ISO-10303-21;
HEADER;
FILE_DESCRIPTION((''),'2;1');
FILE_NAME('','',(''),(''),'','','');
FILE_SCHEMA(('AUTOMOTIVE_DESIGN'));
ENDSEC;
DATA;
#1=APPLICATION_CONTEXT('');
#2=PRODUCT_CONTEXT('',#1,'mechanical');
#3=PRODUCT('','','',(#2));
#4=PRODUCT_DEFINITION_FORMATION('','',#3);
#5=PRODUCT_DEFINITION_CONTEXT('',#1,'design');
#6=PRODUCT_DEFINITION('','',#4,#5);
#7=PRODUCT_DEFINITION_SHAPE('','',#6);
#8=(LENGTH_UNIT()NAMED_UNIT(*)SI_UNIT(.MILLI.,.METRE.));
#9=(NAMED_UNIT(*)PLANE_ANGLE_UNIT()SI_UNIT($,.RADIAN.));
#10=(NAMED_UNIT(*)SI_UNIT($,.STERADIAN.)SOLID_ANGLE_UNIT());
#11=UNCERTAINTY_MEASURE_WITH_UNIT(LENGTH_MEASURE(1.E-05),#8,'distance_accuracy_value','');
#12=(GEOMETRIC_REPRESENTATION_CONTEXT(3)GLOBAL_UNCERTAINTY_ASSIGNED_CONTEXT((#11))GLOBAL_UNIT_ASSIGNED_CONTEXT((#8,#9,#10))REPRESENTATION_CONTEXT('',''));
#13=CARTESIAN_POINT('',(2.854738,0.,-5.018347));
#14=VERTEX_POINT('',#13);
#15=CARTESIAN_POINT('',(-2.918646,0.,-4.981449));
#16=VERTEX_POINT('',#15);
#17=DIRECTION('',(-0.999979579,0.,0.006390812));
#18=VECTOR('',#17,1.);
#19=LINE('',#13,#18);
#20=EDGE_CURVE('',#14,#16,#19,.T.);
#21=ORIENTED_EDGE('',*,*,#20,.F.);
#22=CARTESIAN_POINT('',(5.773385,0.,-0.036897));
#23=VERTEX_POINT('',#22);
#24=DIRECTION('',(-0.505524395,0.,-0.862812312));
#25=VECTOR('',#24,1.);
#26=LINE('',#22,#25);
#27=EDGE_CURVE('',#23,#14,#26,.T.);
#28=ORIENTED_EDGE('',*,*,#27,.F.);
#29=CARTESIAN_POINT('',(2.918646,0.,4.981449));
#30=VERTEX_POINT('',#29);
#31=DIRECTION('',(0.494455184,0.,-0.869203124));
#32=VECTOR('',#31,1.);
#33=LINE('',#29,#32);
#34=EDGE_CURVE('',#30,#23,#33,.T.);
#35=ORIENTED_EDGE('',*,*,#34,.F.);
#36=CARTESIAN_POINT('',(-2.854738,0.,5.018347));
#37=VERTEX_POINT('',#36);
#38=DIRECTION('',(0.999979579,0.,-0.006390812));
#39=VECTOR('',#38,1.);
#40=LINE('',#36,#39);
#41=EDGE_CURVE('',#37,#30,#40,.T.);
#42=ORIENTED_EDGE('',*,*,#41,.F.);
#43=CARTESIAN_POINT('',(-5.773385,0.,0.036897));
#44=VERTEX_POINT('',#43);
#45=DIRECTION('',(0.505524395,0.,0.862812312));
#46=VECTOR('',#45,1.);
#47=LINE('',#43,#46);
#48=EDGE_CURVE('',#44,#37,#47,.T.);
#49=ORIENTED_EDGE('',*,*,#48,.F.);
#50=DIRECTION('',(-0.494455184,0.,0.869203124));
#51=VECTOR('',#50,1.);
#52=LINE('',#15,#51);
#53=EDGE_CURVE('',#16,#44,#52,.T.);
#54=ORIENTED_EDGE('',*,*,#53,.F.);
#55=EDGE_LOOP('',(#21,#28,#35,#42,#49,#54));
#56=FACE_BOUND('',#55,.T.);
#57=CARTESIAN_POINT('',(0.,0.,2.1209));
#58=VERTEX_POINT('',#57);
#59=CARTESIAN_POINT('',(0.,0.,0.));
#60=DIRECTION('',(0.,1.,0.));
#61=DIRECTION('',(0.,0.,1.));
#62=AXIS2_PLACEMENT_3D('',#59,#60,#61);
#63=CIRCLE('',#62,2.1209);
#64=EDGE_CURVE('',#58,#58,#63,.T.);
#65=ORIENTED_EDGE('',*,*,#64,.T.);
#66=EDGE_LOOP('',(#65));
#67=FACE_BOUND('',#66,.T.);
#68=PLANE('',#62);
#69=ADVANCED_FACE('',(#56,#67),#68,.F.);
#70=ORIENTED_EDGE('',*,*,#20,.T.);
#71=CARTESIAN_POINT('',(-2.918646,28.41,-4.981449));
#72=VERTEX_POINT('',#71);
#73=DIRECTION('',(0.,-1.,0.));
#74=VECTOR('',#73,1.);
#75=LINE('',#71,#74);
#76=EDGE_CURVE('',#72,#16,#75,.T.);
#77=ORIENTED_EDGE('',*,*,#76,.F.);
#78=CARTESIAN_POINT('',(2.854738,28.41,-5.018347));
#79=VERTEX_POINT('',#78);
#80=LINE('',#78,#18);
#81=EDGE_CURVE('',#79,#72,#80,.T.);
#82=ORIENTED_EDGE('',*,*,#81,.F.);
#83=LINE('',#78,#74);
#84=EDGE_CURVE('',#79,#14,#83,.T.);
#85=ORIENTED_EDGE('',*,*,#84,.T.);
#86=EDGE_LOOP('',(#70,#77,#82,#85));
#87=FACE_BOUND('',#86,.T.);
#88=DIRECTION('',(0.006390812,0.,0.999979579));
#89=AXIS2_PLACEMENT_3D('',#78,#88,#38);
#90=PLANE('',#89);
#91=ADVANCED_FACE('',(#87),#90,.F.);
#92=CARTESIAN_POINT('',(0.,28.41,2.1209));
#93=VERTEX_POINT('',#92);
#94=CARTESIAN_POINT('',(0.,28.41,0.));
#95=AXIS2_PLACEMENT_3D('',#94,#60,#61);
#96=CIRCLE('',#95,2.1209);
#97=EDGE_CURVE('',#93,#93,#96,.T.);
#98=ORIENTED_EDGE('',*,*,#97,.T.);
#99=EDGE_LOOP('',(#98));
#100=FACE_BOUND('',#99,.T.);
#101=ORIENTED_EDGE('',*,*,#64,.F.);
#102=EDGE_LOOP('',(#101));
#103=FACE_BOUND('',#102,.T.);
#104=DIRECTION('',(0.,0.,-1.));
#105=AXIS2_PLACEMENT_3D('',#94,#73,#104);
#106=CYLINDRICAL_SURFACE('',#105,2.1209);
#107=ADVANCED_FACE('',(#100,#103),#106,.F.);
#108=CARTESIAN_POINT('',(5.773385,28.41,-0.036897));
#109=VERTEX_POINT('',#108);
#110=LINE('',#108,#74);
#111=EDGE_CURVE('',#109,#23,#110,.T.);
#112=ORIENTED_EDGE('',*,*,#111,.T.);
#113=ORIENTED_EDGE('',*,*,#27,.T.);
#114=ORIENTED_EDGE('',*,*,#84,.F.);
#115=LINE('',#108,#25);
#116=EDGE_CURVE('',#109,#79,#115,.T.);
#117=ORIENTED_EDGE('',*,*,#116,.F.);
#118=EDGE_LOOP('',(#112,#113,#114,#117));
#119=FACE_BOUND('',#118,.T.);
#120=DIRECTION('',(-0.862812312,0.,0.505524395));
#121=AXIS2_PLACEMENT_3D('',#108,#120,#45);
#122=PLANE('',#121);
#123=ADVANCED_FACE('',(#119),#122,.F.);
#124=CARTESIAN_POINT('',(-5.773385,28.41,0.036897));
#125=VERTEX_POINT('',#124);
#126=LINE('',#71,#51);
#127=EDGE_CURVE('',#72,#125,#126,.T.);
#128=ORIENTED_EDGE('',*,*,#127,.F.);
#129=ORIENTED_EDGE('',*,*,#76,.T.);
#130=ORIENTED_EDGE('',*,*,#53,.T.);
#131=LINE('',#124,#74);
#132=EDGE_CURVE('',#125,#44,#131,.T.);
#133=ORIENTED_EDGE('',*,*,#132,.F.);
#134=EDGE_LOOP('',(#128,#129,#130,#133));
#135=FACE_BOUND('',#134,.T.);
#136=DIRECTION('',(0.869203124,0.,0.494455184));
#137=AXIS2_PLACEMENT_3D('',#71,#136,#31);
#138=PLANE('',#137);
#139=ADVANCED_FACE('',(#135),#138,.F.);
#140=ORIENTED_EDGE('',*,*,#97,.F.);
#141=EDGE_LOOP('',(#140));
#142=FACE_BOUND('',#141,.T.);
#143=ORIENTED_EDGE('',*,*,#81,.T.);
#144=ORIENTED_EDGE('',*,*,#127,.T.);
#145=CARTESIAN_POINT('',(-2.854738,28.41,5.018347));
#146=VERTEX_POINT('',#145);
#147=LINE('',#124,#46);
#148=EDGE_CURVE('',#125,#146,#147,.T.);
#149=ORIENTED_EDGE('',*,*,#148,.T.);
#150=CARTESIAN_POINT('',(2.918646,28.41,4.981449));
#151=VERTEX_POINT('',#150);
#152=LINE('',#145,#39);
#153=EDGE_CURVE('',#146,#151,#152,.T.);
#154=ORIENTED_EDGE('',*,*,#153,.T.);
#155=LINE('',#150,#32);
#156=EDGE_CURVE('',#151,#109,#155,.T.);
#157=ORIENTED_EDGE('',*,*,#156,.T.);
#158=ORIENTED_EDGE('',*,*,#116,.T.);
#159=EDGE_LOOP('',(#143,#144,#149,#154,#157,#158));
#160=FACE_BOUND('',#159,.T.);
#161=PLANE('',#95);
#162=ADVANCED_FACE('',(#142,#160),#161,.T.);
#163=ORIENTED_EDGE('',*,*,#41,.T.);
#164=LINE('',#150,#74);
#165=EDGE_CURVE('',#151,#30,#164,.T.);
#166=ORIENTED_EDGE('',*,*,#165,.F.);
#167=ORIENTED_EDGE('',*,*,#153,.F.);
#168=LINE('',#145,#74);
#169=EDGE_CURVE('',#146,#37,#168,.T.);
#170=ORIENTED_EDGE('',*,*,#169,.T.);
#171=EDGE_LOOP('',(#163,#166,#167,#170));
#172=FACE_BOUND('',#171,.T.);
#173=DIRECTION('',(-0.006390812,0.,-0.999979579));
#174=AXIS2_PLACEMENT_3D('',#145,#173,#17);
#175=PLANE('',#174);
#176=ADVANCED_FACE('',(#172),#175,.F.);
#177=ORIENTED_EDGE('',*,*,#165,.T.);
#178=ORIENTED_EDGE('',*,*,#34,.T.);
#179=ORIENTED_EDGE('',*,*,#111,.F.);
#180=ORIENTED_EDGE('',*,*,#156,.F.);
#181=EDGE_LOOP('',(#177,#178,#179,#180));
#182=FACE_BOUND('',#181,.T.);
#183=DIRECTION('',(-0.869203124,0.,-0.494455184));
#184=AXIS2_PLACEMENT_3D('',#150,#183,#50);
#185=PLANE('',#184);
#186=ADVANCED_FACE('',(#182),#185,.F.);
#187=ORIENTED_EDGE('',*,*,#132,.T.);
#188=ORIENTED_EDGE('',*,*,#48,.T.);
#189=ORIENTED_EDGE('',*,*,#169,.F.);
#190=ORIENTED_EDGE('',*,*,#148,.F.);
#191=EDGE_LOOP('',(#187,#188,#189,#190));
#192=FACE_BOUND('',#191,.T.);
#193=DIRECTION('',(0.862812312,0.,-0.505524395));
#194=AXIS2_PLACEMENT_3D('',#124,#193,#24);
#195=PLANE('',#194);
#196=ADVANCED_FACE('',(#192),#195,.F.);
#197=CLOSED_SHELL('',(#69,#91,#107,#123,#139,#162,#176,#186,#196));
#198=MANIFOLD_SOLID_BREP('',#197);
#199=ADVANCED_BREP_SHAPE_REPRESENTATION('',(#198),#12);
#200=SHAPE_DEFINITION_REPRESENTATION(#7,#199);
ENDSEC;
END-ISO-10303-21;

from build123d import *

# Parameters (mm, degrees)
SKETCH2_R           = 2.1209
BOSS_EXTRUDE1_DEPTH = 28.41


with BuildPart() as part:
    # Sketch2 → Boss-Extrude1 (new body)
    with BuildSketch(Plane(origin=(0, 0, 0), x_dir=(1, 0, 0), z_dir=(0, 1, 0))):
        Polygon((2.918646453, -4.981449209), (5.773384789, 0.036897368), (2.854738336, 5.018346577), (-2.918646453, 4.981449209), (-5.773384789, -0.036897368), (-2.854738336, -5.018346577), align=None)
        with Locations(Location((0, 0, 0), (0, 0, 270))):
            Circle(SKETCH2_R, mode=Mode.SUBTRACT)
    extrude(amount=BOSS_EXTRUDE1_DEPTH)


solid = part.part
